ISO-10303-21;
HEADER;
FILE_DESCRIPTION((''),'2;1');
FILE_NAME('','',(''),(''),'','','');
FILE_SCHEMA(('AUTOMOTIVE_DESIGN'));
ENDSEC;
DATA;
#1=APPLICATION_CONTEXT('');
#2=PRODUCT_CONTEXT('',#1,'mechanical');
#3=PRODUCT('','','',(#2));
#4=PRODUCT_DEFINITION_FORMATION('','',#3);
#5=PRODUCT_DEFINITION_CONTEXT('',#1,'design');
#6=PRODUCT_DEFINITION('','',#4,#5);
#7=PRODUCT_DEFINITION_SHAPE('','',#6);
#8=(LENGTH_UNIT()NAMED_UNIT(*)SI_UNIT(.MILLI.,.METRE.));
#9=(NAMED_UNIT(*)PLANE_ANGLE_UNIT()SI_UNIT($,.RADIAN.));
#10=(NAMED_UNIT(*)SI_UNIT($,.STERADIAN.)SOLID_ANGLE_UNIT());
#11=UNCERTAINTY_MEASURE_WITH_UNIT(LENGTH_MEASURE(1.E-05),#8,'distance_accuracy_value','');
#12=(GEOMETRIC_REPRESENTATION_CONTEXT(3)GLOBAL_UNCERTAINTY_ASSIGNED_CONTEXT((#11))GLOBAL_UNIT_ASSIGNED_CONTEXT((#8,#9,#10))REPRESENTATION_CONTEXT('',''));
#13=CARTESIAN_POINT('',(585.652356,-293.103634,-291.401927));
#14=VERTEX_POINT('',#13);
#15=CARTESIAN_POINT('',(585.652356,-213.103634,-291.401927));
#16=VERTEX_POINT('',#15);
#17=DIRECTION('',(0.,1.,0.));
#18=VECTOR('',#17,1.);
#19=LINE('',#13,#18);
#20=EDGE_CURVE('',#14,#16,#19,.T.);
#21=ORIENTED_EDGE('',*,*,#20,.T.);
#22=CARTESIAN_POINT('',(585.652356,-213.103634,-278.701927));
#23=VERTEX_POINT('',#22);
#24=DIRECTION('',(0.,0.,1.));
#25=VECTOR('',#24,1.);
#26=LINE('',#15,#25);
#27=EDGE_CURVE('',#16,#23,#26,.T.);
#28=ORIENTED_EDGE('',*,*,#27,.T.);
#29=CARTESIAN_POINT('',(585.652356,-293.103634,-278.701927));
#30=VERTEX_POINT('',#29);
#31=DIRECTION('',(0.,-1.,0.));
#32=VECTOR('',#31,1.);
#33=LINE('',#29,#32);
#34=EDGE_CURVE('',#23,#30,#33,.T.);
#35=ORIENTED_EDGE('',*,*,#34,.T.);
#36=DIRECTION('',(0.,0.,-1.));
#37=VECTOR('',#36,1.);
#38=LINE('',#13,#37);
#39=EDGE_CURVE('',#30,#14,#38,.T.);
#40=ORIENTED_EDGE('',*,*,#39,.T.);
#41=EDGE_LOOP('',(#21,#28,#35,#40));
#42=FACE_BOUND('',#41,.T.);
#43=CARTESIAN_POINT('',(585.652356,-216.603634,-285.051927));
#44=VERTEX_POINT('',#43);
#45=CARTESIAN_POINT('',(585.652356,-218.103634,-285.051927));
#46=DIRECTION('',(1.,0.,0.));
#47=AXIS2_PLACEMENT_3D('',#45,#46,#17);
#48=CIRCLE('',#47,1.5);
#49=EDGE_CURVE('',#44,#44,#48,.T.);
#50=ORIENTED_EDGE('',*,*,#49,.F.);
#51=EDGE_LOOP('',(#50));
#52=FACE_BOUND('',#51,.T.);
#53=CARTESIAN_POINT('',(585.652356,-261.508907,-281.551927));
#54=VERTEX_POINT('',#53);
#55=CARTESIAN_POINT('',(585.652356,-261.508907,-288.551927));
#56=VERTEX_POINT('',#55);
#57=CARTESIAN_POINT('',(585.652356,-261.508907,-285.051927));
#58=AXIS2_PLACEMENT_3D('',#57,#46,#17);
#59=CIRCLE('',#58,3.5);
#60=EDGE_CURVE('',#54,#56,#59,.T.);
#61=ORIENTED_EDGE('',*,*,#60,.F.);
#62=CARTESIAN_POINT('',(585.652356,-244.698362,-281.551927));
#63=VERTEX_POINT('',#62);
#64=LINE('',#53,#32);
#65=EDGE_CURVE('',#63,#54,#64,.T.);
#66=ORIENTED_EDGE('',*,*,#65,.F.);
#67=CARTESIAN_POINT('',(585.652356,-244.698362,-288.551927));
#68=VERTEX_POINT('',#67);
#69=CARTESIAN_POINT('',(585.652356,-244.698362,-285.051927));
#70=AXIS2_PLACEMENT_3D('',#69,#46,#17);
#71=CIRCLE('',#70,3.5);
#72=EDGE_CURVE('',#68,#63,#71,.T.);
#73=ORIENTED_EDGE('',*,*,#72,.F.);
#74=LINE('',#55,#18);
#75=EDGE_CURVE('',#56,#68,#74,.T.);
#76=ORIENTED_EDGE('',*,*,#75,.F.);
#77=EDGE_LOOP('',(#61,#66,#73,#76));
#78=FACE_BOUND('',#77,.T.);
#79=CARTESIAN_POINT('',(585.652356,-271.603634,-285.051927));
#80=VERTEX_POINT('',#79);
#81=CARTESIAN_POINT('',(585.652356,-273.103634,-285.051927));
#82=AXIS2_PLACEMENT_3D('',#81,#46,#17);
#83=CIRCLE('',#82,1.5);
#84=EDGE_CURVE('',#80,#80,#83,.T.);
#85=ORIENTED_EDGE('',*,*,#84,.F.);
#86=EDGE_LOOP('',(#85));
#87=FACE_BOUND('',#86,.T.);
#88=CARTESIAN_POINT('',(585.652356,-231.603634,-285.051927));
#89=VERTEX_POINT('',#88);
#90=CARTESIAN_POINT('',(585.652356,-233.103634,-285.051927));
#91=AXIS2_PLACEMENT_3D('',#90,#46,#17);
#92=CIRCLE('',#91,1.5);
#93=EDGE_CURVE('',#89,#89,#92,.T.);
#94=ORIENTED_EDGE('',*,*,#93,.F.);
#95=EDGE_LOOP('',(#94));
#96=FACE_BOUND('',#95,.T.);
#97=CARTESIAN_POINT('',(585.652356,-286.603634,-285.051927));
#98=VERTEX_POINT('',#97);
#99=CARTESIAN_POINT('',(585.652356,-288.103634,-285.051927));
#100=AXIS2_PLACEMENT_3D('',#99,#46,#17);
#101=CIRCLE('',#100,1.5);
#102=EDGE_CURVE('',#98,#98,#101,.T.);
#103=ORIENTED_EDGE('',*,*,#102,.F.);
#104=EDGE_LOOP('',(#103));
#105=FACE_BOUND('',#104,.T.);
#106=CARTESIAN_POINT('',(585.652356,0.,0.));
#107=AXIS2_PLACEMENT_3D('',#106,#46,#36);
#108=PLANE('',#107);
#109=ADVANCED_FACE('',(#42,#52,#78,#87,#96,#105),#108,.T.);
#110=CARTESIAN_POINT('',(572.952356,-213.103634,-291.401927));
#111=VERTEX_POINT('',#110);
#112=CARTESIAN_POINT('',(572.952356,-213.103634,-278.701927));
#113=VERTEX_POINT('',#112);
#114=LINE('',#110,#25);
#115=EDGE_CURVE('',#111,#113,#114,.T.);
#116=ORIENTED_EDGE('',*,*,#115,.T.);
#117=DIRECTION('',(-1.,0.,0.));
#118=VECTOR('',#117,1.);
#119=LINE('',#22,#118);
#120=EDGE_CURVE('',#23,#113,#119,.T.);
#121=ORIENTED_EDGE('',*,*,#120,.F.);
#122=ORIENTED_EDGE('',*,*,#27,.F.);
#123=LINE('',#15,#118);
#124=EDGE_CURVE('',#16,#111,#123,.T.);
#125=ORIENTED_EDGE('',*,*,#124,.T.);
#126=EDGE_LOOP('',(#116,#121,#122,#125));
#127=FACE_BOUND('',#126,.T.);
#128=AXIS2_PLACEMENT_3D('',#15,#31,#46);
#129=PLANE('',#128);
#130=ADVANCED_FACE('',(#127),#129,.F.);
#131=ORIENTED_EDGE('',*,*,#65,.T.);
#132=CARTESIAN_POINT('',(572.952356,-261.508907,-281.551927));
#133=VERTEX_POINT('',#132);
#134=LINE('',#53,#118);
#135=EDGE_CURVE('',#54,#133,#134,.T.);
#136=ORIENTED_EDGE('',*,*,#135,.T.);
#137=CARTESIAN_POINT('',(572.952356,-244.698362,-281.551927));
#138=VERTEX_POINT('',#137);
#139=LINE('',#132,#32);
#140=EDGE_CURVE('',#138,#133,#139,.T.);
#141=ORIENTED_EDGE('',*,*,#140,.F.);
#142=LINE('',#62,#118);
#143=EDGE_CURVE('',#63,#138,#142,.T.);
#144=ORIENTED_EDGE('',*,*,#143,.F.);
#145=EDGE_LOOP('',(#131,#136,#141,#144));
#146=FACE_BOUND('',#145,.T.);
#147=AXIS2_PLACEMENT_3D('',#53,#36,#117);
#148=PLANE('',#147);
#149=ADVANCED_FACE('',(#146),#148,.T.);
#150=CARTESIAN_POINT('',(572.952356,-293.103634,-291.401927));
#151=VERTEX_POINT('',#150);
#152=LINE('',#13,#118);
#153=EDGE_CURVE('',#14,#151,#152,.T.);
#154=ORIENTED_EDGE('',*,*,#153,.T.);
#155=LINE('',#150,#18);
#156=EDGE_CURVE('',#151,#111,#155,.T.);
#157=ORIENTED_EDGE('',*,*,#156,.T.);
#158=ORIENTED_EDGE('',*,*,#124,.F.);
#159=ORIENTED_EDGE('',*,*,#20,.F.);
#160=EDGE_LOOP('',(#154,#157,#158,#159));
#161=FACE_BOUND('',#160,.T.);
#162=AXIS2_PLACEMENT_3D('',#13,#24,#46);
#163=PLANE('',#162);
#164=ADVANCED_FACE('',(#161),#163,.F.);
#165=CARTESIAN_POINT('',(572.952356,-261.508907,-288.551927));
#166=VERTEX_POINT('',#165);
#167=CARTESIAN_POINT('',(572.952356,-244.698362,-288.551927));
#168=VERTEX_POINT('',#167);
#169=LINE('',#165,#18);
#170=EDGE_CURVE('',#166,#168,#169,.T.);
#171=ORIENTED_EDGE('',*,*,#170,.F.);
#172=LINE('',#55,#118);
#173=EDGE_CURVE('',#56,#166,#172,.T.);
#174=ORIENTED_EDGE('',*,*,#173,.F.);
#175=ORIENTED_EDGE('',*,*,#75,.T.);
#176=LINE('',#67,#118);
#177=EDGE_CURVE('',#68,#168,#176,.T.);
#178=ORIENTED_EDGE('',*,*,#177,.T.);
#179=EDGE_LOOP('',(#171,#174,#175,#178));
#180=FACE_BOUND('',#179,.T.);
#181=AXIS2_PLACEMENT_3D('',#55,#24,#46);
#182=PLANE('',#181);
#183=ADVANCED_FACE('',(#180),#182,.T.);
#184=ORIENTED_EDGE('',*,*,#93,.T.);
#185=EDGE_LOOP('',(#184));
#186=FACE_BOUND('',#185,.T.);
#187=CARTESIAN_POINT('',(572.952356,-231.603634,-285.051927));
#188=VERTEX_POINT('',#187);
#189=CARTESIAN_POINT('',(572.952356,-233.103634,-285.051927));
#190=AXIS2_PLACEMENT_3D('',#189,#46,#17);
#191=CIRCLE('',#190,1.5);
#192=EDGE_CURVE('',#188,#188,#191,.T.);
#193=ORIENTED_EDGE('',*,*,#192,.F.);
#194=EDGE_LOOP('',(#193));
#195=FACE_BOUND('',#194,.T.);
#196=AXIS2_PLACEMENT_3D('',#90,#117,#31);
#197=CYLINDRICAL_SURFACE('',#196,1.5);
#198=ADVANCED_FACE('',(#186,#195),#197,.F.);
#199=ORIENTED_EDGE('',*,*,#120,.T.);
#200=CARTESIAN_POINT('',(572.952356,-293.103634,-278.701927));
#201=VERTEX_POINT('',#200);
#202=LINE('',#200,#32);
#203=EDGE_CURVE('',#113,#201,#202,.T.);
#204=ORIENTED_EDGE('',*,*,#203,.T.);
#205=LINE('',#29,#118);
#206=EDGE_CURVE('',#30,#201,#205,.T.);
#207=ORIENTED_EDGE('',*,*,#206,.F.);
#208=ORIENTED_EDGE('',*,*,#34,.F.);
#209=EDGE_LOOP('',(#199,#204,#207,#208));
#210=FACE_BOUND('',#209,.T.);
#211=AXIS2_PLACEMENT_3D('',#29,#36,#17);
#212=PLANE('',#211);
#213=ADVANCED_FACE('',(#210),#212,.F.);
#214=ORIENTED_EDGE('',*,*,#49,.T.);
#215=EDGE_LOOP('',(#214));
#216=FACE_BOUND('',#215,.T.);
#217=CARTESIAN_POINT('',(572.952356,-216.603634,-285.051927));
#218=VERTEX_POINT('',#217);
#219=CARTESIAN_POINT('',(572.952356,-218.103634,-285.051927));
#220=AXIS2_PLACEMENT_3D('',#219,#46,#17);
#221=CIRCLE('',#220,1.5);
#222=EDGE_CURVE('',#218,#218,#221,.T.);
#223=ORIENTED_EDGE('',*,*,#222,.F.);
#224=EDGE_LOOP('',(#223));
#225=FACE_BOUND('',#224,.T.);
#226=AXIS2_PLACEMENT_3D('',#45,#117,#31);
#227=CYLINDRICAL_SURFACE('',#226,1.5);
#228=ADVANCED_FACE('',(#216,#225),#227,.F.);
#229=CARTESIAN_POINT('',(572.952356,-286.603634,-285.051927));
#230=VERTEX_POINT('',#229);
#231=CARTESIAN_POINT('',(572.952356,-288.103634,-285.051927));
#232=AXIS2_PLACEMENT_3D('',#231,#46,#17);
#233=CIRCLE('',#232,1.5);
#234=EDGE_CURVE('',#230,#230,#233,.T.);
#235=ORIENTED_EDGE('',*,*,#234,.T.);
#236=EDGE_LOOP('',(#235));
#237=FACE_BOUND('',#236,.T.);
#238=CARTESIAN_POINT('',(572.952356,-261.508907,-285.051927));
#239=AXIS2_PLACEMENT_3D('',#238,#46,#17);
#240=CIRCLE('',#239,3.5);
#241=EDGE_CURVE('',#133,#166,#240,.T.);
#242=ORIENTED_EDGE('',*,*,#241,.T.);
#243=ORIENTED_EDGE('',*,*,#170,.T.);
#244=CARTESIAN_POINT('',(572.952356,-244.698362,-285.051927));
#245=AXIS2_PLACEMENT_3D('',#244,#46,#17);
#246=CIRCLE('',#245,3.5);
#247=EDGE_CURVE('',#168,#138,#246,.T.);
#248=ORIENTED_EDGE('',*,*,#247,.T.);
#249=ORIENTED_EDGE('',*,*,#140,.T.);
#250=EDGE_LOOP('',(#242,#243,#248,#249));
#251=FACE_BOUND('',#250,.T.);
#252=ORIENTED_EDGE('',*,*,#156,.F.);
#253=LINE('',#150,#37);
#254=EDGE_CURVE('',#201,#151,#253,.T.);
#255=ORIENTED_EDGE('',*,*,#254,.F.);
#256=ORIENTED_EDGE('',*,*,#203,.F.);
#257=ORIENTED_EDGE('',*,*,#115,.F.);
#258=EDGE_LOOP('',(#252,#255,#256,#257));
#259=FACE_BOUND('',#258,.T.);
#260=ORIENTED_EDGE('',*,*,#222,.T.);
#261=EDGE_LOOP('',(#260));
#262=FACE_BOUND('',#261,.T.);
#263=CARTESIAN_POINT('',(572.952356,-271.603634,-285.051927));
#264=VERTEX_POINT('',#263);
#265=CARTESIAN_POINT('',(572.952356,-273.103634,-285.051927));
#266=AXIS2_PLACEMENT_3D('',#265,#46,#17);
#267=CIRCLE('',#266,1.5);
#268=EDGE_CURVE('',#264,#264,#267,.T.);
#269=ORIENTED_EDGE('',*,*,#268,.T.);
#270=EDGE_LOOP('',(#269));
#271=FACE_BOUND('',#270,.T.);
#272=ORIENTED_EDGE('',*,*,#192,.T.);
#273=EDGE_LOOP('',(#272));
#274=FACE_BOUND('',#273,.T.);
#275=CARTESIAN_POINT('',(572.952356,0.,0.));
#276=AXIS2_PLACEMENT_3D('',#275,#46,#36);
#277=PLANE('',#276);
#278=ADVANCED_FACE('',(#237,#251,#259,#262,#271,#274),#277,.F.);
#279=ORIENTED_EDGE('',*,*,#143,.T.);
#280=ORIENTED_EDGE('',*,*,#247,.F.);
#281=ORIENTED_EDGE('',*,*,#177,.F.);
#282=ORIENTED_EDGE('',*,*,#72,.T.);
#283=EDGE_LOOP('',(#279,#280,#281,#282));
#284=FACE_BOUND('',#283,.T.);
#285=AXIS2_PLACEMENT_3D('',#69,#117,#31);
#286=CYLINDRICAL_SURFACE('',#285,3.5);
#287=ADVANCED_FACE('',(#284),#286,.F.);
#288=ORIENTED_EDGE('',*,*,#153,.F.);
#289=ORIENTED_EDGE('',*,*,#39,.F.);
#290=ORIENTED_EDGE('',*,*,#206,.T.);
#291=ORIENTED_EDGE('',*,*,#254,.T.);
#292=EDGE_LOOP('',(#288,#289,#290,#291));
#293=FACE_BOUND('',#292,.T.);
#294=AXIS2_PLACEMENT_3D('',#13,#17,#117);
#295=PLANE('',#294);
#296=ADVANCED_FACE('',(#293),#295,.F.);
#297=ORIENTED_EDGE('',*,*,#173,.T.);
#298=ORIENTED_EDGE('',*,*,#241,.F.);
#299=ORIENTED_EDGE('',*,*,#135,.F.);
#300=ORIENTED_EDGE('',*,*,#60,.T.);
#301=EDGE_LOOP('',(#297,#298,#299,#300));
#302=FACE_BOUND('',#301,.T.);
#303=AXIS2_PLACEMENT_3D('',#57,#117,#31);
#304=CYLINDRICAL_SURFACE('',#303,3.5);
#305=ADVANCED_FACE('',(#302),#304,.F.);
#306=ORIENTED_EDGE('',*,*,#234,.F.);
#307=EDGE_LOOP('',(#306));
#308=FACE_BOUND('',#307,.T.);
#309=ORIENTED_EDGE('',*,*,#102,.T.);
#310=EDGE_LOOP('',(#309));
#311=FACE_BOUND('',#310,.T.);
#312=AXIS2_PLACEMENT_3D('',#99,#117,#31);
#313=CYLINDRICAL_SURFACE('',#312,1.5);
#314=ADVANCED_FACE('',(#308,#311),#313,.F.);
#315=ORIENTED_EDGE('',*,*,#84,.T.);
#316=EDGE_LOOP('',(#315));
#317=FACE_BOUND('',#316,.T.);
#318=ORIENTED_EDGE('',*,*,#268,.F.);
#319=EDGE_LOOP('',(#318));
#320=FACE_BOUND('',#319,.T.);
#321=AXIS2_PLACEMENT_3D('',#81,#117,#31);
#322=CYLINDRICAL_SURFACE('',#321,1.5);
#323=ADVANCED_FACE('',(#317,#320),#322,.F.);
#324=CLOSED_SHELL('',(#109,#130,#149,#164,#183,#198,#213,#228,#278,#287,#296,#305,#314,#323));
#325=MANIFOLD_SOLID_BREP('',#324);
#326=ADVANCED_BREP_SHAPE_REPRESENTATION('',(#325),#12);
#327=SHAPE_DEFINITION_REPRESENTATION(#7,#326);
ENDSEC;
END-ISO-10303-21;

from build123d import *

# Parameters (mm, degrees)
SKETCH1_W           = 12.7
SKETCH1_H           = 80
SKETCH1_R           = 1.5
BOSS_EXTRUDE1_DEPTH = 12.7


with BuildPart() as part:
    # Sketch1 → Boss-Extrude1 (new body)
    with BuildSketch(Plane(origin=(572.952355873, -103.733491168, -119.473981867), x_dir=(0, 0, 1), z_dir=(1, 0, 0))):
        with Locations((-165.577945174, 149.370143232)):
            Rectangle(SKETCH1_W, SKETCH1_H)
        with Locations(Location((-165.577945174, 169.370143232, 0), (0, 0, 270))):
            Circle(SKETCH1_R, mode=Mode.SUBTRACT)
        with Locations(Location((-165.577945174, 184.370143232, 0), (0, 0, 270))):
            Circle(SKETCH1_R, mode=Mode.SUBTRACT)
        with Locations(Location((-165.577945174, 114.370143232, 0), (0, 0, 270))):
            Circle(SKETCH1_R, mode=Mode.SUBTRACT)
        with Locations(Location((-165.577945174, 129.370143232, 0), (0, 0, 270))):
            Circle(SKETCH1_R, mode=Mode.SUBTRACT)
        with BuildLine():
            Line((-162.077945174, 157.77541555), (-162.077945174, 140.964870914))
            ThreePointArc((-162.077945174, 140.964870914), (-165.577945174, 137.464870914), (-169.077945174, 140.964870914))
            Line((-169.077945174, 140.964870914), (-169.077945174, 157.77541555))
            ThreePointArc((-169.077945174, 157.77541555), (-165.577945174, 161.27541555), (-162.077945174, 157.77541555))
        make_face(mode=Mode.SUBTRACT)
    extrude(amount=BOSS_EXTRUDE1_DEPTH)


solid = part.part
